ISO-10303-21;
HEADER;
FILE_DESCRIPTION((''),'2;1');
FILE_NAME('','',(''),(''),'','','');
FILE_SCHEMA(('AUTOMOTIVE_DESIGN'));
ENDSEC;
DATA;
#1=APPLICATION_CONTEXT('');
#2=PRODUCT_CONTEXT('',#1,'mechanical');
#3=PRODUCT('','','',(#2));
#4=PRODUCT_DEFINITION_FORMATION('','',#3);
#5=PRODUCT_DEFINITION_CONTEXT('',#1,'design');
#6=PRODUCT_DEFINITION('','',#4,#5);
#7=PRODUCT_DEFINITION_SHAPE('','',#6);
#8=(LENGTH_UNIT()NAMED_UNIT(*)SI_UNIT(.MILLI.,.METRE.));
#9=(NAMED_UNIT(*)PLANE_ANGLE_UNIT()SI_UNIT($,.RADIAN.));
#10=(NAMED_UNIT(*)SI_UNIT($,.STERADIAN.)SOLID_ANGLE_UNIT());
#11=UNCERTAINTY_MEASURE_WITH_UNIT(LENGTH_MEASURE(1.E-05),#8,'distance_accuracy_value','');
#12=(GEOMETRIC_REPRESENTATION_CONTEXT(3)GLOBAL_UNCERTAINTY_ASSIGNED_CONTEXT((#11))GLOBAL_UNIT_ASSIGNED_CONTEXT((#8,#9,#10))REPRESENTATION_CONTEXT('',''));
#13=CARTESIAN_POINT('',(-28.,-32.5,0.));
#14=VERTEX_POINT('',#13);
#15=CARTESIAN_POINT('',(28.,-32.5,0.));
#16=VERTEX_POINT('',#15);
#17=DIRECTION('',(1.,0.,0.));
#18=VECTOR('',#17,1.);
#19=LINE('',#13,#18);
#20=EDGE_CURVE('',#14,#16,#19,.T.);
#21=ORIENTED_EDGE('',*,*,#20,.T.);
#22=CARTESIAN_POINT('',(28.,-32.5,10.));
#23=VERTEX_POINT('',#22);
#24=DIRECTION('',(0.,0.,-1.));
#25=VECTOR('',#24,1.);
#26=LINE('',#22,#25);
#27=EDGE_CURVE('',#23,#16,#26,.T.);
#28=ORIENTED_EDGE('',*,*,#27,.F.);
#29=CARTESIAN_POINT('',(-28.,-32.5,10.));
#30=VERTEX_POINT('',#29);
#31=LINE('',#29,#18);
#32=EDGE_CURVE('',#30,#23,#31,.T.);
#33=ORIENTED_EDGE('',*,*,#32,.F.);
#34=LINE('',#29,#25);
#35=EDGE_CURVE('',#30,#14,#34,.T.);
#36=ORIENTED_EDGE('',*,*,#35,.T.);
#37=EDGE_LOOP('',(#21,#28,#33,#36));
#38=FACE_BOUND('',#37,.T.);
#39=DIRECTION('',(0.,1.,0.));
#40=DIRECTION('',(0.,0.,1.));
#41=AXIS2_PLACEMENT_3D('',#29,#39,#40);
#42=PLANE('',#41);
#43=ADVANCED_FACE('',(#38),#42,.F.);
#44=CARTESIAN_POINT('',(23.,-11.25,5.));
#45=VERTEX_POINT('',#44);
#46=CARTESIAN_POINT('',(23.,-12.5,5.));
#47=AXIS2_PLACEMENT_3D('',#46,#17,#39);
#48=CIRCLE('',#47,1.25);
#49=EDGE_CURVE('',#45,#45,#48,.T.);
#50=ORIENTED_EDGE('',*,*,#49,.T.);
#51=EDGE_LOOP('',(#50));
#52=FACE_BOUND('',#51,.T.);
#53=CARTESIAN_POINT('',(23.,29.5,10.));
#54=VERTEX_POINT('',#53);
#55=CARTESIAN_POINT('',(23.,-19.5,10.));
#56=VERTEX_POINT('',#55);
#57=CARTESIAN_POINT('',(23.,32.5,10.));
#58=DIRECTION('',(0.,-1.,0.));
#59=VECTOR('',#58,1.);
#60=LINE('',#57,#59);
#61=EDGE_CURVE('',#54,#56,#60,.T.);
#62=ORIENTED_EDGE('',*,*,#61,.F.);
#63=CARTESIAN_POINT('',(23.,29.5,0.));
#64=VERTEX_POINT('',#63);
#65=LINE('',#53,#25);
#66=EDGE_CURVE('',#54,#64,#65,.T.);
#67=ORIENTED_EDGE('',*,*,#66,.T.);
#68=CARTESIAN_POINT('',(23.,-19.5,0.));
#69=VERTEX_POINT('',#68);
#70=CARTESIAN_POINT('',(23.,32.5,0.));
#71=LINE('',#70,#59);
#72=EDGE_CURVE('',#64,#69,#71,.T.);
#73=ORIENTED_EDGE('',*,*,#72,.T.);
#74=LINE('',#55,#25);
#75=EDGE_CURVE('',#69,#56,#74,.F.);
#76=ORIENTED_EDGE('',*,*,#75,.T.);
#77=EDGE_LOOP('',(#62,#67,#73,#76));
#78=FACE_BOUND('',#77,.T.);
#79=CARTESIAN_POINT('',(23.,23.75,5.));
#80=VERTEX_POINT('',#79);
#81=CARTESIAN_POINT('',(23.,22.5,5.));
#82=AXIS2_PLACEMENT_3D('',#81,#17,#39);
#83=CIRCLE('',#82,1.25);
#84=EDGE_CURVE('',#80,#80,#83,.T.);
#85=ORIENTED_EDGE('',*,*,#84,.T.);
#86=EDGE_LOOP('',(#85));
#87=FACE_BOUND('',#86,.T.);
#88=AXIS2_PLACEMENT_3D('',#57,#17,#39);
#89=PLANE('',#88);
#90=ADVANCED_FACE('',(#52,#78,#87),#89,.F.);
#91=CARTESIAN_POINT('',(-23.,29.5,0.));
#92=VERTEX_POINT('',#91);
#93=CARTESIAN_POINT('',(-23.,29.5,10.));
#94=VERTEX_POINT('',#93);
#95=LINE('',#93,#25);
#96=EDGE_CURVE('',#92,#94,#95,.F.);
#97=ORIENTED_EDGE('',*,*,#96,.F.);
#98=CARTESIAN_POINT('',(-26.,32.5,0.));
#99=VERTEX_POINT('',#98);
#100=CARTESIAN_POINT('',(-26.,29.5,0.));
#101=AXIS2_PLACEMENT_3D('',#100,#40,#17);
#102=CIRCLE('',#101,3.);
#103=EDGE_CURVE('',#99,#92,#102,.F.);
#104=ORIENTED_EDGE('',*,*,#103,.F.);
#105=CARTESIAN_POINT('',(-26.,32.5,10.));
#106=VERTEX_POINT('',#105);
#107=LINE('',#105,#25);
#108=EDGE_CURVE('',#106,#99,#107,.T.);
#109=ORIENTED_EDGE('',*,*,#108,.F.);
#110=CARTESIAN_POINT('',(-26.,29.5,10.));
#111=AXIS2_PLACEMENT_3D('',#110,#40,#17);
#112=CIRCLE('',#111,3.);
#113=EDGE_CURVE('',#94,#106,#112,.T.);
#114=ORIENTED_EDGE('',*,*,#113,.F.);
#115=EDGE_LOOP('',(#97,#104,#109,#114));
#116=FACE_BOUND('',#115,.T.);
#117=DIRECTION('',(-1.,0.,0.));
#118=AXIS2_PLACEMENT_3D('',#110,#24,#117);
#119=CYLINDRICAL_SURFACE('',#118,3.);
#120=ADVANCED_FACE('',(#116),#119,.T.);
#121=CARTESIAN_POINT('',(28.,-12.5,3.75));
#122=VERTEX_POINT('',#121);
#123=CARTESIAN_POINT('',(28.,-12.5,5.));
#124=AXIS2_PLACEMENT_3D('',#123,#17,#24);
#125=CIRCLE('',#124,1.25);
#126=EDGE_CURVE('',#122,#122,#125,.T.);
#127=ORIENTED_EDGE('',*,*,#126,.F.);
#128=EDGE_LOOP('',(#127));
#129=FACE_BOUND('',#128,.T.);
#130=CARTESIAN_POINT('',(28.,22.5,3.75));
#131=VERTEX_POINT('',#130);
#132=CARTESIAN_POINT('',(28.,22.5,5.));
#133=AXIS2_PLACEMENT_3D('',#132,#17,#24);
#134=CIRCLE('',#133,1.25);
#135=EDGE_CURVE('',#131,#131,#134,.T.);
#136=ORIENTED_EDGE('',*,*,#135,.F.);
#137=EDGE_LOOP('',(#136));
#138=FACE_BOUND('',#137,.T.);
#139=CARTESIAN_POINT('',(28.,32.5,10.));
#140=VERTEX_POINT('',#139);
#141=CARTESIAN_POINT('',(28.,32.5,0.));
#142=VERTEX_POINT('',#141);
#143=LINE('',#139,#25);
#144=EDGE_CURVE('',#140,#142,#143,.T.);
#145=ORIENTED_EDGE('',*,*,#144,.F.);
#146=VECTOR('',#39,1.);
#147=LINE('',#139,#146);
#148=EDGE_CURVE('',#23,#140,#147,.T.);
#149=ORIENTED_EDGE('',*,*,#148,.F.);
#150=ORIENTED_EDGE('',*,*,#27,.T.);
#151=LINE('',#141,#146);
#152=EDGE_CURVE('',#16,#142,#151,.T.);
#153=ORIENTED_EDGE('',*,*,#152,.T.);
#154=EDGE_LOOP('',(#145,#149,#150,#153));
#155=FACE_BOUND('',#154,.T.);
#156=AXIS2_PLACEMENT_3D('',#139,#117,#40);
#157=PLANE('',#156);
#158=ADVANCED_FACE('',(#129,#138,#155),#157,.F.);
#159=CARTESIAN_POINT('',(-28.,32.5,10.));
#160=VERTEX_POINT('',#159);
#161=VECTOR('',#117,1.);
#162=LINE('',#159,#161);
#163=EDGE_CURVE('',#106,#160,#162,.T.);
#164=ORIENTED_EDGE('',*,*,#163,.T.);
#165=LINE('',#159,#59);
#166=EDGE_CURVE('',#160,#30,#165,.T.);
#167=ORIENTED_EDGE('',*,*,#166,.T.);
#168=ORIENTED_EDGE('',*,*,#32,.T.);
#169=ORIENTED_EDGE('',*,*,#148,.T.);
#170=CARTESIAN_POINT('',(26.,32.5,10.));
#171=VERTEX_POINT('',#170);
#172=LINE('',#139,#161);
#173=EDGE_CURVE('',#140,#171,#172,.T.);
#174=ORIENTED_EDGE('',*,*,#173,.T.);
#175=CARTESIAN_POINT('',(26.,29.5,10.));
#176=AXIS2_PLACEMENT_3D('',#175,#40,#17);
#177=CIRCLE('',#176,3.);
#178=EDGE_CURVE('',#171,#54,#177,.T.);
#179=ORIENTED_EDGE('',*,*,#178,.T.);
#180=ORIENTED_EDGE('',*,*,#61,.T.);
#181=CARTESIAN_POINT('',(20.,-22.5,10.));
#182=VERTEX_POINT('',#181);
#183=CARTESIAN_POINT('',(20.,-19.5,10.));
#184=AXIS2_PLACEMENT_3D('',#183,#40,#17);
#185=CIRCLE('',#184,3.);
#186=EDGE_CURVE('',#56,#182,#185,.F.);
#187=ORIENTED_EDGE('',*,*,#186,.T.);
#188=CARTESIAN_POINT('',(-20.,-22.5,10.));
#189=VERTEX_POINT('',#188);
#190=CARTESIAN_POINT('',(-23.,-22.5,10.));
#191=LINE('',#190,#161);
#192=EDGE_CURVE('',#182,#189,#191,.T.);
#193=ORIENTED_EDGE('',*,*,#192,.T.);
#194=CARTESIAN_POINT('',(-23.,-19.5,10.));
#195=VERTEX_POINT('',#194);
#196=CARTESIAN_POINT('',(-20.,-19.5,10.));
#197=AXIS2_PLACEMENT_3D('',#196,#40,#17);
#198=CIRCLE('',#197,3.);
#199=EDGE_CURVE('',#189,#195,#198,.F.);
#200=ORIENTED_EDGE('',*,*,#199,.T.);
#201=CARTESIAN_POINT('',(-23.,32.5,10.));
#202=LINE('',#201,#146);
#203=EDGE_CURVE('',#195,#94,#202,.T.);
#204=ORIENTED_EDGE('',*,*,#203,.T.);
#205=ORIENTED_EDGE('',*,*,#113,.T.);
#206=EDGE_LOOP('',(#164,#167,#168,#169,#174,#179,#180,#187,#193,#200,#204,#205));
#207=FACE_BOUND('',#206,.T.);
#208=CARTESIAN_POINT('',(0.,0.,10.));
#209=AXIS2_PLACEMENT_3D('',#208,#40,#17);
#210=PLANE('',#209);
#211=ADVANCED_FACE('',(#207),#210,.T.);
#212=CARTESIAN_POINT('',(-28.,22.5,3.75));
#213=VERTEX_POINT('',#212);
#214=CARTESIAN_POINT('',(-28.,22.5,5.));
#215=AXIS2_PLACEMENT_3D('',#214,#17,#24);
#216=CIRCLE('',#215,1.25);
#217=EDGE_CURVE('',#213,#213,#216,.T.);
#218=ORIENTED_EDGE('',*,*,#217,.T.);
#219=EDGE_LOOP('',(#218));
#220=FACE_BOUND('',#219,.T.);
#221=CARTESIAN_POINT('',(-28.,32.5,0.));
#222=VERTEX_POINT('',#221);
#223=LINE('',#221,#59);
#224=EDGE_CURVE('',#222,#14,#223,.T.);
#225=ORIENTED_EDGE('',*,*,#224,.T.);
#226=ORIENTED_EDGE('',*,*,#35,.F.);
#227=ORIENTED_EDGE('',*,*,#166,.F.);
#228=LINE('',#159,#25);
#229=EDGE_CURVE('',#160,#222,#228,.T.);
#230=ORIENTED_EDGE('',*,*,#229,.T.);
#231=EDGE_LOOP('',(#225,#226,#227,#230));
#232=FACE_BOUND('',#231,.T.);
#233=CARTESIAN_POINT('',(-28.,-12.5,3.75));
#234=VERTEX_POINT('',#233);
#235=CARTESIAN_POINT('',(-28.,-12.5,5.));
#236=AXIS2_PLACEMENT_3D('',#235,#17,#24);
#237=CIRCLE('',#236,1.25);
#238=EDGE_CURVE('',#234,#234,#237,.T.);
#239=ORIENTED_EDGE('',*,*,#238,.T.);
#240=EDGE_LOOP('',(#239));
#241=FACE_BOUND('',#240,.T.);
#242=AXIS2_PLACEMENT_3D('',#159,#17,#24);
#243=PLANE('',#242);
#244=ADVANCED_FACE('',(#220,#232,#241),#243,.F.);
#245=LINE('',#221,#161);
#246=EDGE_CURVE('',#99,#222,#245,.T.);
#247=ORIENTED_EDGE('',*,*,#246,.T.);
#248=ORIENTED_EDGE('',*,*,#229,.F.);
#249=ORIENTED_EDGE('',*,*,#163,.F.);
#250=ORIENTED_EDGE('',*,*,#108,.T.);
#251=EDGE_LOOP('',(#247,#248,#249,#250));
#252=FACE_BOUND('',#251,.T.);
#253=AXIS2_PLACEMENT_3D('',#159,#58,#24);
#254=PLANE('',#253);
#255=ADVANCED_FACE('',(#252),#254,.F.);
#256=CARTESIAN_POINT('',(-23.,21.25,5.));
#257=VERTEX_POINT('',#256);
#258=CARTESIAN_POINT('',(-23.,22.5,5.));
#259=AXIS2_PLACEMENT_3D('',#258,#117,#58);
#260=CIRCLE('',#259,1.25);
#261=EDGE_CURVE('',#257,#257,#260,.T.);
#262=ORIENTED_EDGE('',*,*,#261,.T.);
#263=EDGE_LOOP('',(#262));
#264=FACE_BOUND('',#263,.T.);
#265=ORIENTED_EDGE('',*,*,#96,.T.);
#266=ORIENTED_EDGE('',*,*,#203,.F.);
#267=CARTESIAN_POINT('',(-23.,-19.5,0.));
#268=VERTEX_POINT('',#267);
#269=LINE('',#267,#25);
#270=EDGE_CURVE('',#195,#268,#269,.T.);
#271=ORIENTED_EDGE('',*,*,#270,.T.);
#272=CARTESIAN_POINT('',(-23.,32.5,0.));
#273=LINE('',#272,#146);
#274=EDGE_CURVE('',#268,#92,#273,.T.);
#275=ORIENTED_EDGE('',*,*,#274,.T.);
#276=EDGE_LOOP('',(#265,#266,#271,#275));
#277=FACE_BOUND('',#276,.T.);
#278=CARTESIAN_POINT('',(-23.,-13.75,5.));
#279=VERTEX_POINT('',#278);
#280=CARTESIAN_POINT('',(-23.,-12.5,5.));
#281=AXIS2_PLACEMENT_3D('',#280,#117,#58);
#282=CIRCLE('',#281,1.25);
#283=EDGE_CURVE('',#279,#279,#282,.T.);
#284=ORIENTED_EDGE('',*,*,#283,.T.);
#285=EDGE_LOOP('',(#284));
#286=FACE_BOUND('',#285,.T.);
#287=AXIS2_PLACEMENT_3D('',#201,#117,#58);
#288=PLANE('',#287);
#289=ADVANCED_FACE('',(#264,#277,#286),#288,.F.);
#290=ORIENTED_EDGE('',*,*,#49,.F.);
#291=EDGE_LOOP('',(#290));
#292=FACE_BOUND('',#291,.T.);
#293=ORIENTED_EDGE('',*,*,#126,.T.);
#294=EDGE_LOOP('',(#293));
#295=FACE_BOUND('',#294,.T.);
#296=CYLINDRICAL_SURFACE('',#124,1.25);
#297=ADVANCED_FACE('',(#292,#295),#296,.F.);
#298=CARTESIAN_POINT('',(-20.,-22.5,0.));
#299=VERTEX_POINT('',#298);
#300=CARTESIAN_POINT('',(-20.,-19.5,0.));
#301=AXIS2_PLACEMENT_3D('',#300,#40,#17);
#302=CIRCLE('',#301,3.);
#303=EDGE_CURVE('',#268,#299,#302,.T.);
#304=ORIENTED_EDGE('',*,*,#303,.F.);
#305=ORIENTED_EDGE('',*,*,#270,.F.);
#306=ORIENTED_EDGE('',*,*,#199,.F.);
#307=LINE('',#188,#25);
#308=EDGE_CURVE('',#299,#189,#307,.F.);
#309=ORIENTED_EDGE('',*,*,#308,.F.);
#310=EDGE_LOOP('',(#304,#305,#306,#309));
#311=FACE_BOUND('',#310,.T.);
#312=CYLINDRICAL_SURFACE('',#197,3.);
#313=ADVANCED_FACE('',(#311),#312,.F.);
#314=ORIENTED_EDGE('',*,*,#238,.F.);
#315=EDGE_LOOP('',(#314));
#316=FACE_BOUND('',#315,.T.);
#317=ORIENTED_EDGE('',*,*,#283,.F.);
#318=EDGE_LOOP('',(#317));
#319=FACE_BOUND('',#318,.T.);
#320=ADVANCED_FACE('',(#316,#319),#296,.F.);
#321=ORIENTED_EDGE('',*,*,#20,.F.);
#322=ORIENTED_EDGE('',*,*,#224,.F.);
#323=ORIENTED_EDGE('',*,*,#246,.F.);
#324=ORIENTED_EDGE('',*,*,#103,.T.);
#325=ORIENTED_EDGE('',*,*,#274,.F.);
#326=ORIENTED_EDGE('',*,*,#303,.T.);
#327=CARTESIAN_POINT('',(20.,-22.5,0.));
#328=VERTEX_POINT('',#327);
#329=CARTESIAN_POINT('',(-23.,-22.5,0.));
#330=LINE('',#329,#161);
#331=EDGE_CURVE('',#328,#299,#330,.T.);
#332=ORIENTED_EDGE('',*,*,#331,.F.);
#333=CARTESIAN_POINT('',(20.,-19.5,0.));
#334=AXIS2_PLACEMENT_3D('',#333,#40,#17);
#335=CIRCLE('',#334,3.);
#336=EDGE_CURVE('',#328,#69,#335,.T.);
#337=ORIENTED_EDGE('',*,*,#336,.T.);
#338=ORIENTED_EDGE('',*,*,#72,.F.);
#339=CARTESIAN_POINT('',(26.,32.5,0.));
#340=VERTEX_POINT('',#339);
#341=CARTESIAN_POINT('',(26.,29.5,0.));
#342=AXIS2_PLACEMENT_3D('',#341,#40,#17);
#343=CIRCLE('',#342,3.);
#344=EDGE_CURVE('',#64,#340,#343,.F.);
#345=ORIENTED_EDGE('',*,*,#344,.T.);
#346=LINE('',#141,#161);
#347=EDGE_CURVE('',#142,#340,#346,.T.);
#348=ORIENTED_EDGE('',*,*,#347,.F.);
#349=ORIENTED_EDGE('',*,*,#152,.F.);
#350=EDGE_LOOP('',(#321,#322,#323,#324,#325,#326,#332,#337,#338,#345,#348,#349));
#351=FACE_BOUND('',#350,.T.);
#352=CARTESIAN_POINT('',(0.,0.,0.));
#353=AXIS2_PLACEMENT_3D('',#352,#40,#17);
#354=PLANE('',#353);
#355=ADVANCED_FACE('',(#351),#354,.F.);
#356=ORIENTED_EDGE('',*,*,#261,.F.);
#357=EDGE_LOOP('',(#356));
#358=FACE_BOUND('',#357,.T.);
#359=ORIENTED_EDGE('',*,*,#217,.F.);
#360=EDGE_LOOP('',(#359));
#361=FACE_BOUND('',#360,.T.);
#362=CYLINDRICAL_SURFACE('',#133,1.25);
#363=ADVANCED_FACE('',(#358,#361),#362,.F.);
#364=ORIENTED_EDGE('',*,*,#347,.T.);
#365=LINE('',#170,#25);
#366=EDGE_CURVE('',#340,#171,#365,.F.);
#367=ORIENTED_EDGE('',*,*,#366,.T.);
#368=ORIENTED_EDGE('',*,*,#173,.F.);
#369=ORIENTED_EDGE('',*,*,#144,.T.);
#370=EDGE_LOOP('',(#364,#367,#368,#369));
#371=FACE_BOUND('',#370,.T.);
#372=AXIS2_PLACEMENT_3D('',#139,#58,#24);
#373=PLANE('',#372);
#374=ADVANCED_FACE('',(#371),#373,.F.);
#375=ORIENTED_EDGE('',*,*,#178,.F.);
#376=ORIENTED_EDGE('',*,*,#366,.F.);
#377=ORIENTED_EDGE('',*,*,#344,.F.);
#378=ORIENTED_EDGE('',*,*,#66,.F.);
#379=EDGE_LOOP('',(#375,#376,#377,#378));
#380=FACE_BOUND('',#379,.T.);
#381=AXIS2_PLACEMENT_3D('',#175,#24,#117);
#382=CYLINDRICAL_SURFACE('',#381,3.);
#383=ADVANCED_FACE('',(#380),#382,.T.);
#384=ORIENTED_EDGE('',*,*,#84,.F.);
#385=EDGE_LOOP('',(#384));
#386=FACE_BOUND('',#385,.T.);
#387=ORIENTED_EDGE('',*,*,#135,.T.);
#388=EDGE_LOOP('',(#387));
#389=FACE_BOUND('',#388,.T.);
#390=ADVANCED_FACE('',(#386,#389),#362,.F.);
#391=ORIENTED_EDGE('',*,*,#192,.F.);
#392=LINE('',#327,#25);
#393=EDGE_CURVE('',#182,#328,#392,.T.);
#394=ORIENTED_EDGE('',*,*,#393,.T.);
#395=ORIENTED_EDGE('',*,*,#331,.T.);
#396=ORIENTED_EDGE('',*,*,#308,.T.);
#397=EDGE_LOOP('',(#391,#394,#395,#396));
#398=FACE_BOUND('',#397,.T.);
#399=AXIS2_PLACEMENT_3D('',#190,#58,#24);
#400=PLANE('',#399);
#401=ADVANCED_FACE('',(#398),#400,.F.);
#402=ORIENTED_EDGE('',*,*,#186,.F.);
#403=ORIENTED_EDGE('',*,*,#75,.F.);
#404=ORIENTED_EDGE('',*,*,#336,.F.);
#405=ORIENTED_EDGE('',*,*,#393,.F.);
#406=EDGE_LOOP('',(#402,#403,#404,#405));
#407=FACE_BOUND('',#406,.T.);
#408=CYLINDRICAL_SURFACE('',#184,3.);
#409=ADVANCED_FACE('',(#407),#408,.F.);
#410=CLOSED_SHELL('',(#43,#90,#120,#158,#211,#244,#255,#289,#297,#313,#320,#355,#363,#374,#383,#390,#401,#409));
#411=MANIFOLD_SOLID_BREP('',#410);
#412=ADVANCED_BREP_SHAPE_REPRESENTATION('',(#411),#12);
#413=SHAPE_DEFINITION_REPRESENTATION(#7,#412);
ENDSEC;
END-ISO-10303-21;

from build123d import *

# Parameters (mm, degrees)
EXTRUDE_1_DEPTH = 10
FILLET_1_R      = 3
M3X0_52_D       = 2.5


with BuildPart() as part:
    # Эскиз1 → Бобышка-Вытянуть1 (new body)
    with BuildSketch(Plane.XY):
        Polygon((28, 32.5), (23, 32.5), (23, -22.5), (-23, -22.5), (-23, 32.5), (-28, 32.5), (-28, -32.5), (28, -32.5), align=None)
    extrude(amount=EXTRUDE_1_DEPTH)

    # Скругление1
    fillet_1_edges = [part.edges().sort_by_distance(p)[0] for p in [
        (-23, 32.5, 5),
        (-23, -22.5, 5),
        (23, -22.5, 5),
        (23, 32.5, 5),
    ]]
    fillet(fillet_1_edges, radius=FILLET_1_R)

    # Отверстие обработанное метчиком M3x0.52 (through all)
    with Locations(Plane(origin=(28, 0, 0), x_dir=(0, 0, -1), z_dir=(1, 0, 0))):
        with Locations((-5, 22.5), (-5, -12.5)):
            Hole(M3X0_52_D / 2)


solid = part.part
